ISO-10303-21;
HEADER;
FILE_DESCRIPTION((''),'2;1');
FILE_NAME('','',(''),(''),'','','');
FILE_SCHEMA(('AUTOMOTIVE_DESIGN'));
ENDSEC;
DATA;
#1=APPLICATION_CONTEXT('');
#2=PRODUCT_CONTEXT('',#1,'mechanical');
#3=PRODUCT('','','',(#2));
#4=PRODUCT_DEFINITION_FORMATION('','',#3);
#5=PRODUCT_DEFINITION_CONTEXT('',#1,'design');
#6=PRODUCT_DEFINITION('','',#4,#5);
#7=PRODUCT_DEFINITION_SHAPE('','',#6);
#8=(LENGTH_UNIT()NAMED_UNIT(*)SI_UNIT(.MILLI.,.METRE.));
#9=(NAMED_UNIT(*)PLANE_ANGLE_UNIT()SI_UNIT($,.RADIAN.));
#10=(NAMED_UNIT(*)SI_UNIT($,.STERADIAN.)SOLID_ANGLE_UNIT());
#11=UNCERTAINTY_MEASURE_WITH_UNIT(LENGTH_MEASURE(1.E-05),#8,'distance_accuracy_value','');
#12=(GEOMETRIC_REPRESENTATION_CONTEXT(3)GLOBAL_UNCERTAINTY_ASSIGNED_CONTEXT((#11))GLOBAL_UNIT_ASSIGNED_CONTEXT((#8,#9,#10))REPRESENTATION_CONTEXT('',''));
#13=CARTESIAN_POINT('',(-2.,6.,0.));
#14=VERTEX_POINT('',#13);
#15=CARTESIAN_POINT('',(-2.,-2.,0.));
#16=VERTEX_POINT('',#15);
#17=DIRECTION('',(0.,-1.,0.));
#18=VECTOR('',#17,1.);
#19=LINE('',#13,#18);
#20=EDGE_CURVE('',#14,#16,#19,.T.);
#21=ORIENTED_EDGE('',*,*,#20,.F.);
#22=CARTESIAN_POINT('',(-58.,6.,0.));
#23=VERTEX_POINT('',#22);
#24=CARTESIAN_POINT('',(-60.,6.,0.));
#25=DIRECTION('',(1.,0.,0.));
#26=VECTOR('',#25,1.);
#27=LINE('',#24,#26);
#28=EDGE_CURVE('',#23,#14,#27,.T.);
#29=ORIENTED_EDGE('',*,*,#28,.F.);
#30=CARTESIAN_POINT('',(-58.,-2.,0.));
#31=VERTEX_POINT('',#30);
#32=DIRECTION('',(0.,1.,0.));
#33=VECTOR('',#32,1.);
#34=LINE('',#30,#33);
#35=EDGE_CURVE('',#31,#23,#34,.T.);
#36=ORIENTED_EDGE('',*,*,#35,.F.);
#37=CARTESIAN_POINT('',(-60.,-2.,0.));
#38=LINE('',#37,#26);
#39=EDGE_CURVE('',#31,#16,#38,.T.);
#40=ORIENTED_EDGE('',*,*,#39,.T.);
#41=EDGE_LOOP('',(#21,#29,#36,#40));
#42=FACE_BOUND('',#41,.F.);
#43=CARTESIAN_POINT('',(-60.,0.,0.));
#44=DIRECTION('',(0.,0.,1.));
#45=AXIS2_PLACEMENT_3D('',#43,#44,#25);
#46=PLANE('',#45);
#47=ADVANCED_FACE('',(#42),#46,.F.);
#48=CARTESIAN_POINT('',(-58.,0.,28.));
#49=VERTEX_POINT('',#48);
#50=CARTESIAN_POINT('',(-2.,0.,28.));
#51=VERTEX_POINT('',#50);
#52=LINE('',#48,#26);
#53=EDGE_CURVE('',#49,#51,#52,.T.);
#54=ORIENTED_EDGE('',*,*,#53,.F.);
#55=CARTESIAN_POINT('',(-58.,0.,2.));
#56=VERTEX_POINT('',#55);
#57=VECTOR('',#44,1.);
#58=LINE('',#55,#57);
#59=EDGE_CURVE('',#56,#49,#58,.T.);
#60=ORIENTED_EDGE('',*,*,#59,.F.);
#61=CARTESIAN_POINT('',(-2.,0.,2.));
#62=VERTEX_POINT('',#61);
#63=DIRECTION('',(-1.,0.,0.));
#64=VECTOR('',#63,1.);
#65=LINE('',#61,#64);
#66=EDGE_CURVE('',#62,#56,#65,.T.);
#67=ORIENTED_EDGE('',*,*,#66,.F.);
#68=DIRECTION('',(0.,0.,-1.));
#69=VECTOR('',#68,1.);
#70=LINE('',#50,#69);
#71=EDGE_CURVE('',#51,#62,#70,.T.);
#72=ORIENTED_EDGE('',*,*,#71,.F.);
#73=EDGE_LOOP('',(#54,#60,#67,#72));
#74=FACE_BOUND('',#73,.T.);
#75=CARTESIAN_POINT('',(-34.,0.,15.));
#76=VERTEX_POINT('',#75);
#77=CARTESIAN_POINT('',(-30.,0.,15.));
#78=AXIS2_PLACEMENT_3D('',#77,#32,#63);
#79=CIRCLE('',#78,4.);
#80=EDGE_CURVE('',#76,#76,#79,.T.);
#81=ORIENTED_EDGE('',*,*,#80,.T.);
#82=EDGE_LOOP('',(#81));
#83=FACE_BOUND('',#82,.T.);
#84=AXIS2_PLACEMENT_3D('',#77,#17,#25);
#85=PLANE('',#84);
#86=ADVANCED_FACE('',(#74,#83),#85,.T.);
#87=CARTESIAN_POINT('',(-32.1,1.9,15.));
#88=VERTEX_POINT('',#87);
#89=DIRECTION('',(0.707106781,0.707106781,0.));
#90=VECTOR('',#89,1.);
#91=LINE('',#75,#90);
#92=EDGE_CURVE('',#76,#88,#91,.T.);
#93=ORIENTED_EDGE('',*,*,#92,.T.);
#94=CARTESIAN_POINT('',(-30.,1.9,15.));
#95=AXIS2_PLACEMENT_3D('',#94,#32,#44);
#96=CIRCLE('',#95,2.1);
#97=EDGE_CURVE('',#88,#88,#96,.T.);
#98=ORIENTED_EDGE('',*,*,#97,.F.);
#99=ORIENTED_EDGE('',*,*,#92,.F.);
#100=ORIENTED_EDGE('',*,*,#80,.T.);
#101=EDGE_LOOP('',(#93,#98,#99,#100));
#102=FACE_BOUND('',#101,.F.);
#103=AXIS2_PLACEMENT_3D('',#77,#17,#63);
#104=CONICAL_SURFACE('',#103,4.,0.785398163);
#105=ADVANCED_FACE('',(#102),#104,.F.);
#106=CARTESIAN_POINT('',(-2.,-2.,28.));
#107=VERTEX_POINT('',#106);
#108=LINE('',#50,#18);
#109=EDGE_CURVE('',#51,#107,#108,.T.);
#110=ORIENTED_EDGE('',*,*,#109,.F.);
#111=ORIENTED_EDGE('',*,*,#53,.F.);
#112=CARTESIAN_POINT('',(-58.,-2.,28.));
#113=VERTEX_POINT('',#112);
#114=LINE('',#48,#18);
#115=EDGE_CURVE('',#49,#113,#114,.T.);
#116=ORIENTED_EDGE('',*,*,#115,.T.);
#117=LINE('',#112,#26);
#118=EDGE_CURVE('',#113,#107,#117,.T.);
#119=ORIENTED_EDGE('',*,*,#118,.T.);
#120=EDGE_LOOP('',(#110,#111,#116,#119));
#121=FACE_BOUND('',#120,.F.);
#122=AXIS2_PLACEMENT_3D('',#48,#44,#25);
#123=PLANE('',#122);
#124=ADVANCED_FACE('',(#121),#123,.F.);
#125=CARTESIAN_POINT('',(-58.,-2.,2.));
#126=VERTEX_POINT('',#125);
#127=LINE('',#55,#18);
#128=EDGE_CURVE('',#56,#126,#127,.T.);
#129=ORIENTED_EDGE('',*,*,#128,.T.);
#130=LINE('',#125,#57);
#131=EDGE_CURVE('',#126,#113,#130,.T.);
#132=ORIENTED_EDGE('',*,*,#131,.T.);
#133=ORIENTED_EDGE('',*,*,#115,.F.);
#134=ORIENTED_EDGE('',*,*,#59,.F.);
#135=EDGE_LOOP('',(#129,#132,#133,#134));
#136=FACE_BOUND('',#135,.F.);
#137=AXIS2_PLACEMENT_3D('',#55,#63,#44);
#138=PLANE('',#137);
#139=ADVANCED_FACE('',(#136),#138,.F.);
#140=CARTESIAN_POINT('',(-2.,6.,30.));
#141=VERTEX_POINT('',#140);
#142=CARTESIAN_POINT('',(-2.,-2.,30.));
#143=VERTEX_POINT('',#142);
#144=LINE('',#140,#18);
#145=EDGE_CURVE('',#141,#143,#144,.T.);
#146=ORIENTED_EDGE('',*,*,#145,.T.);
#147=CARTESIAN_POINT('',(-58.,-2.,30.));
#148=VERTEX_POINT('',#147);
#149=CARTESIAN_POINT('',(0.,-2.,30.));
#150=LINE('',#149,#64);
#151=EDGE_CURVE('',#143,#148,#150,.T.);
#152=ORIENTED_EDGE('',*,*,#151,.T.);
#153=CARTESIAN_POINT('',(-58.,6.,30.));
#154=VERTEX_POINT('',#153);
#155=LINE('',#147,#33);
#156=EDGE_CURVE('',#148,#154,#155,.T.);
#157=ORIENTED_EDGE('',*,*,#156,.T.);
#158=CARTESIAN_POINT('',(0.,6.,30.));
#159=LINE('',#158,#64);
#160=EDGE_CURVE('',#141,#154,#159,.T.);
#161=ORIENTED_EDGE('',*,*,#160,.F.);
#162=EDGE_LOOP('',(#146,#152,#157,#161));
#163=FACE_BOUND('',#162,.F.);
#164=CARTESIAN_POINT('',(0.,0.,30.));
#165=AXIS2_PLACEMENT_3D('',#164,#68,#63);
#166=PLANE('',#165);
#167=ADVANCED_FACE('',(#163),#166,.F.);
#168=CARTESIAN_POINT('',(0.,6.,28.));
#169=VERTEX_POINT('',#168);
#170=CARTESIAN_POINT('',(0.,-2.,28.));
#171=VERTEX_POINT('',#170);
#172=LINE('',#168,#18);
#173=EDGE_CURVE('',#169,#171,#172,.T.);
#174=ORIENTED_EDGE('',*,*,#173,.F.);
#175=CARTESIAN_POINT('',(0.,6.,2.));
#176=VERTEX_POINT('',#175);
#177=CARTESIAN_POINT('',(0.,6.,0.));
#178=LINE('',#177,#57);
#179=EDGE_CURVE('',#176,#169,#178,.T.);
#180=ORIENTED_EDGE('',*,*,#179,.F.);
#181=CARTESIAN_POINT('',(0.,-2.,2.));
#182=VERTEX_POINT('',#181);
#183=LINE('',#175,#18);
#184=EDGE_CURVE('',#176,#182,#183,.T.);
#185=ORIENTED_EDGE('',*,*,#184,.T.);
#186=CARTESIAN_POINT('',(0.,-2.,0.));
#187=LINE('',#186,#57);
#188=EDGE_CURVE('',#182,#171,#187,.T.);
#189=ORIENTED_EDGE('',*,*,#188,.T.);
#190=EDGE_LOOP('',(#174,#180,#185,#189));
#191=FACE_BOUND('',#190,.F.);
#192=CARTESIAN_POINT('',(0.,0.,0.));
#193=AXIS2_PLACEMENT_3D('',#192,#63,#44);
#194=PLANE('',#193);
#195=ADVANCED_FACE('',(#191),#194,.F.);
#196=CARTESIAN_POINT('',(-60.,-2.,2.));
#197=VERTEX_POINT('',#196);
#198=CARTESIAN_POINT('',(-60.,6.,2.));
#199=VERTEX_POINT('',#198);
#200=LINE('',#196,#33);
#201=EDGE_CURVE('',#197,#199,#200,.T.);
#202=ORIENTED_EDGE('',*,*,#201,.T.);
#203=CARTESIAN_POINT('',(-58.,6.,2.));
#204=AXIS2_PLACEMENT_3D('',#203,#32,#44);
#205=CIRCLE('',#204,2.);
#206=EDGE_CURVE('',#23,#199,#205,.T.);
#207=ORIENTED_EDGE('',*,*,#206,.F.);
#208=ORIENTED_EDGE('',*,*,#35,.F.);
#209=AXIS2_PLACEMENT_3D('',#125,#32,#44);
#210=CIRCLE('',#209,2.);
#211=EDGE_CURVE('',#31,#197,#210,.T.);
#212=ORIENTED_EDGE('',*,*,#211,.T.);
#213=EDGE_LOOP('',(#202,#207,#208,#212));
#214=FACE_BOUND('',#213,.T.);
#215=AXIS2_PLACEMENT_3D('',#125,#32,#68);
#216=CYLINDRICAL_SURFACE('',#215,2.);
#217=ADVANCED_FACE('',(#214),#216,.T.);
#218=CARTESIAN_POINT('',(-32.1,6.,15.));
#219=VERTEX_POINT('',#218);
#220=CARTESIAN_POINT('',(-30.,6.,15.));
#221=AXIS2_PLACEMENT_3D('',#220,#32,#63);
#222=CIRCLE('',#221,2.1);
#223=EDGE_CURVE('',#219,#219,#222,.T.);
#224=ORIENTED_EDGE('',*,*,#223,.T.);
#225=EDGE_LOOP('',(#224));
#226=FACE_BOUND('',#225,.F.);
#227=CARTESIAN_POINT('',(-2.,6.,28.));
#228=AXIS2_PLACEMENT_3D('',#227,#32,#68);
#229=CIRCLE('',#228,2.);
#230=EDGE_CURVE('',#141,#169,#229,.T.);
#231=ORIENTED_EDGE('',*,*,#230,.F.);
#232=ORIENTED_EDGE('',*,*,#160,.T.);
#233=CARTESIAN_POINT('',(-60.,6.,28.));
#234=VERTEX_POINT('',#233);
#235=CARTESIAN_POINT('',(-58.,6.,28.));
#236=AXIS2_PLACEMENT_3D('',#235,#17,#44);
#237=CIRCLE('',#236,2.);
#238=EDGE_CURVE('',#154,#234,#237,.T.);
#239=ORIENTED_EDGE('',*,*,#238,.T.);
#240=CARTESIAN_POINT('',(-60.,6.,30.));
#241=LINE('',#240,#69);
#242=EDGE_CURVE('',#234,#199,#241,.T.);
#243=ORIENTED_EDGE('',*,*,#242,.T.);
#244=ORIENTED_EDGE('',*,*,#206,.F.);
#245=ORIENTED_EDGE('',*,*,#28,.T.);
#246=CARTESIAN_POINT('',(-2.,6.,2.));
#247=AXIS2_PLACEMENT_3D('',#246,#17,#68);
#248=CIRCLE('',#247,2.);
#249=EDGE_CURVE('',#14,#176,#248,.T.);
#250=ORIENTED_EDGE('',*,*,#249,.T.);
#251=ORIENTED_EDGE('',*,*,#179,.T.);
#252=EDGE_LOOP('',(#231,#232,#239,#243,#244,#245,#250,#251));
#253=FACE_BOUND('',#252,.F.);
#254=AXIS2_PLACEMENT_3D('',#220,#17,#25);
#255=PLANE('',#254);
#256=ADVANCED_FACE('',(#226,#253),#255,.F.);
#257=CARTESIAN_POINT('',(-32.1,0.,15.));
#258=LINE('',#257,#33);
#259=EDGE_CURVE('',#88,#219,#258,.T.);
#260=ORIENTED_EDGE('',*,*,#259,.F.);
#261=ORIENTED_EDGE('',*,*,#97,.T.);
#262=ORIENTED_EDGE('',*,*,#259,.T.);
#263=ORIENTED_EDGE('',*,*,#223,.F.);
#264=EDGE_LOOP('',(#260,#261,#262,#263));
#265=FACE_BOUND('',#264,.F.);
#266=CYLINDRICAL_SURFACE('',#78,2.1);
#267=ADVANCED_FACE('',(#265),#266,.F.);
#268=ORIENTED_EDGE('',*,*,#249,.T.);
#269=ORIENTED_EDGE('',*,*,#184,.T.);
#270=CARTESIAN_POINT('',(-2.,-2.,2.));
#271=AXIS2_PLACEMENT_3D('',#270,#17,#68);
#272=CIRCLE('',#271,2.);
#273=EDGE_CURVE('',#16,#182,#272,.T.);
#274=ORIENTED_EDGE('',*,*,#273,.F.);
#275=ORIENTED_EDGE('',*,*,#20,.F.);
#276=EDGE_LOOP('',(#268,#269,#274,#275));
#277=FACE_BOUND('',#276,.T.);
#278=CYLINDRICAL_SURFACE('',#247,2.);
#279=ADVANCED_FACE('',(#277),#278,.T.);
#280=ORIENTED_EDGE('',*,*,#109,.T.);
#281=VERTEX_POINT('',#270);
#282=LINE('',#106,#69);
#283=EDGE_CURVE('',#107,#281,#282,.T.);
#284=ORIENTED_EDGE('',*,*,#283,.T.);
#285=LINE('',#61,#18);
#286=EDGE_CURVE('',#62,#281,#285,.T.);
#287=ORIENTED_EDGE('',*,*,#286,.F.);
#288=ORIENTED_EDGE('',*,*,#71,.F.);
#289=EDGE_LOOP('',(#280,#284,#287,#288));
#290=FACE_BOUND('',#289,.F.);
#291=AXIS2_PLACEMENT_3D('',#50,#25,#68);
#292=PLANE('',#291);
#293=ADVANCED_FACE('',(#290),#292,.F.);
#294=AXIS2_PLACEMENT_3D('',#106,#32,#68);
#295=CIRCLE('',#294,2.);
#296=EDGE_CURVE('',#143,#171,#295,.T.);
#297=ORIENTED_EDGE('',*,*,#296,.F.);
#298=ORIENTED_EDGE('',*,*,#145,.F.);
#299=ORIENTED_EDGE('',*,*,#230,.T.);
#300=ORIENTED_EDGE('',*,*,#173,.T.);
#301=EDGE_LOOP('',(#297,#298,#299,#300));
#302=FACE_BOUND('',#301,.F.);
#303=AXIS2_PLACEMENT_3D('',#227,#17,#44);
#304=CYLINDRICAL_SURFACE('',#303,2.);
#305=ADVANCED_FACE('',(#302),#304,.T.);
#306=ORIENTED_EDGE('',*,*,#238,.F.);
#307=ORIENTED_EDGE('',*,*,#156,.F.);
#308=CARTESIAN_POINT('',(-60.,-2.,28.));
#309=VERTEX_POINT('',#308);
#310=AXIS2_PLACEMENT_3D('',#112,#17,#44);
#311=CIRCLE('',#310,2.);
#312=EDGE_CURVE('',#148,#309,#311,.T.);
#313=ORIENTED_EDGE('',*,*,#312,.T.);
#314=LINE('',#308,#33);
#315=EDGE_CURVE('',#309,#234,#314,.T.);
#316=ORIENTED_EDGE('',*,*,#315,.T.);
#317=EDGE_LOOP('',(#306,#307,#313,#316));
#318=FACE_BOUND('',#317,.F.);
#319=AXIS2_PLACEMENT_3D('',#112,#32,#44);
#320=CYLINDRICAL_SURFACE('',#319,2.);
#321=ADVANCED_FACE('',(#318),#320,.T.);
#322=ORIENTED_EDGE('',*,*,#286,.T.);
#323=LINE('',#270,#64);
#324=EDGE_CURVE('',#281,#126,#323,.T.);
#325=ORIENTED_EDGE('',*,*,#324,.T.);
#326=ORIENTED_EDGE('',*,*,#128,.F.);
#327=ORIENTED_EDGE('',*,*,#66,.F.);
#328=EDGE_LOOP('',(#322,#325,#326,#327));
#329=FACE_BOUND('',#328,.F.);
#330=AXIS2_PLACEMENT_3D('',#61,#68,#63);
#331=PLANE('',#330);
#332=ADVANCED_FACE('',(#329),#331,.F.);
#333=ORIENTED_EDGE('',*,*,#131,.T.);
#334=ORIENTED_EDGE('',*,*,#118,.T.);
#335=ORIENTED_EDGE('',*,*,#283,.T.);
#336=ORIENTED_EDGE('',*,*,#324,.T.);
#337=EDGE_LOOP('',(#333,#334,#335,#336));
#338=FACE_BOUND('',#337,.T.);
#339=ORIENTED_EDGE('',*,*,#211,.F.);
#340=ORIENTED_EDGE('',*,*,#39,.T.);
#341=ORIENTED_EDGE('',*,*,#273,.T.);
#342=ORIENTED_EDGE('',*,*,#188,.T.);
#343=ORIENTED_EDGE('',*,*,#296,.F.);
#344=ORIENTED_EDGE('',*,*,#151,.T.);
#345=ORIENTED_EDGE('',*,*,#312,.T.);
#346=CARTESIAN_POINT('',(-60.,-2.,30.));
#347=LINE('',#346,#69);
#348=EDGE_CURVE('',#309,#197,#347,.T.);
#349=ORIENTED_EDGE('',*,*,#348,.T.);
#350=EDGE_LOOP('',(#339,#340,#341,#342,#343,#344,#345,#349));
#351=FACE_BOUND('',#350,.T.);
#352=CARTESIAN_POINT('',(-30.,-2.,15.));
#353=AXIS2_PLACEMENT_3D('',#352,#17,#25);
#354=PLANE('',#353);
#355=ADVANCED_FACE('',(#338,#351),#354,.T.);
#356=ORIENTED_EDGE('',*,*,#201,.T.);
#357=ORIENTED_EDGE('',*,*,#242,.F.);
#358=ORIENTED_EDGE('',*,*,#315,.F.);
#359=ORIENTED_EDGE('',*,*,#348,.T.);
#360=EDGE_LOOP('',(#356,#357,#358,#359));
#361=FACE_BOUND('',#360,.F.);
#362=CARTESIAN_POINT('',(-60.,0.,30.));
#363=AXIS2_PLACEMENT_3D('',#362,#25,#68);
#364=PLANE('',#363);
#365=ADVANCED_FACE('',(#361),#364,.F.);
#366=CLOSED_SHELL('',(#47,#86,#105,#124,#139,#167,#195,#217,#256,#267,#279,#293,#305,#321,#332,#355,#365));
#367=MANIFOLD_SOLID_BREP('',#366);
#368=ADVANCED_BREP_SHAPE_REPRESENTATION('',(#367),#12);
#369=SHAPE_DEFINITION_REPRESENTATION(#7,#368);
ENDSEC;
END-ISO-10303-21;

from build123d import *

# Parameters (mm, degrees)
F1_DEPTH       = 6
F2_DEPTH       = 2
F3_D           = 4.2
F3_DEPTH       = 15
F3_CSINK_D     = 8
F3_CSINK_ANGLE = 90
F4_R           = 2


with BuildPart() as f1:
    # F0 (on Front) → F1 (new body)
    with BuildSketch(Plane.XZ):
        Polygon((-60, 0), (0, 0), (0, 30), (-60, 30), (-60, 15), align=None)
        Polygon((-58, 2), (-58, 15), (-58, 28), (-2, 28), (-2, 2), align=None, mode=Mode.SUBTRACT)
        Polygon((-58, 28), (-58, 15), (-58, 2), (-2, 2), (-2, 28), align=None)
    extrude(amount=-F1_DEPTH)

    # F0 (on Front) → F2 (join)
    with BuildSketch(Plane.XZ):
        Polygon((-60, 0), (0, 0), (0, 30), (-60, 30), (-60, 15), align=None)
        Polygon((-58, 2), (-58, 15), (-58, 28), (-2, 28), (-2, 2), align=None, mode=Mode.SUBTRACT)
    extrude(amount=F2_DEPTH)

    # F3
    with Locations(Plane.XZ):
        with Locations((-30, 15)):
            CounterSinkHole(F3_D / 2, F3_CSINK_D / 2, depth=F3_DEPTH, counter_sink_angle=F3_CSINK_ANGLE)

    # F4
    f4_edges = [f1.edges().sort_by_distance(p)[0] for p in [
        (-60, 2, 30),
        (0, 2, 30),
        (0, 2, 0),
        (-60, 2, 0),
    ]]
    fillet(f4_edges, radius=F4_R)


solid = f1.part
